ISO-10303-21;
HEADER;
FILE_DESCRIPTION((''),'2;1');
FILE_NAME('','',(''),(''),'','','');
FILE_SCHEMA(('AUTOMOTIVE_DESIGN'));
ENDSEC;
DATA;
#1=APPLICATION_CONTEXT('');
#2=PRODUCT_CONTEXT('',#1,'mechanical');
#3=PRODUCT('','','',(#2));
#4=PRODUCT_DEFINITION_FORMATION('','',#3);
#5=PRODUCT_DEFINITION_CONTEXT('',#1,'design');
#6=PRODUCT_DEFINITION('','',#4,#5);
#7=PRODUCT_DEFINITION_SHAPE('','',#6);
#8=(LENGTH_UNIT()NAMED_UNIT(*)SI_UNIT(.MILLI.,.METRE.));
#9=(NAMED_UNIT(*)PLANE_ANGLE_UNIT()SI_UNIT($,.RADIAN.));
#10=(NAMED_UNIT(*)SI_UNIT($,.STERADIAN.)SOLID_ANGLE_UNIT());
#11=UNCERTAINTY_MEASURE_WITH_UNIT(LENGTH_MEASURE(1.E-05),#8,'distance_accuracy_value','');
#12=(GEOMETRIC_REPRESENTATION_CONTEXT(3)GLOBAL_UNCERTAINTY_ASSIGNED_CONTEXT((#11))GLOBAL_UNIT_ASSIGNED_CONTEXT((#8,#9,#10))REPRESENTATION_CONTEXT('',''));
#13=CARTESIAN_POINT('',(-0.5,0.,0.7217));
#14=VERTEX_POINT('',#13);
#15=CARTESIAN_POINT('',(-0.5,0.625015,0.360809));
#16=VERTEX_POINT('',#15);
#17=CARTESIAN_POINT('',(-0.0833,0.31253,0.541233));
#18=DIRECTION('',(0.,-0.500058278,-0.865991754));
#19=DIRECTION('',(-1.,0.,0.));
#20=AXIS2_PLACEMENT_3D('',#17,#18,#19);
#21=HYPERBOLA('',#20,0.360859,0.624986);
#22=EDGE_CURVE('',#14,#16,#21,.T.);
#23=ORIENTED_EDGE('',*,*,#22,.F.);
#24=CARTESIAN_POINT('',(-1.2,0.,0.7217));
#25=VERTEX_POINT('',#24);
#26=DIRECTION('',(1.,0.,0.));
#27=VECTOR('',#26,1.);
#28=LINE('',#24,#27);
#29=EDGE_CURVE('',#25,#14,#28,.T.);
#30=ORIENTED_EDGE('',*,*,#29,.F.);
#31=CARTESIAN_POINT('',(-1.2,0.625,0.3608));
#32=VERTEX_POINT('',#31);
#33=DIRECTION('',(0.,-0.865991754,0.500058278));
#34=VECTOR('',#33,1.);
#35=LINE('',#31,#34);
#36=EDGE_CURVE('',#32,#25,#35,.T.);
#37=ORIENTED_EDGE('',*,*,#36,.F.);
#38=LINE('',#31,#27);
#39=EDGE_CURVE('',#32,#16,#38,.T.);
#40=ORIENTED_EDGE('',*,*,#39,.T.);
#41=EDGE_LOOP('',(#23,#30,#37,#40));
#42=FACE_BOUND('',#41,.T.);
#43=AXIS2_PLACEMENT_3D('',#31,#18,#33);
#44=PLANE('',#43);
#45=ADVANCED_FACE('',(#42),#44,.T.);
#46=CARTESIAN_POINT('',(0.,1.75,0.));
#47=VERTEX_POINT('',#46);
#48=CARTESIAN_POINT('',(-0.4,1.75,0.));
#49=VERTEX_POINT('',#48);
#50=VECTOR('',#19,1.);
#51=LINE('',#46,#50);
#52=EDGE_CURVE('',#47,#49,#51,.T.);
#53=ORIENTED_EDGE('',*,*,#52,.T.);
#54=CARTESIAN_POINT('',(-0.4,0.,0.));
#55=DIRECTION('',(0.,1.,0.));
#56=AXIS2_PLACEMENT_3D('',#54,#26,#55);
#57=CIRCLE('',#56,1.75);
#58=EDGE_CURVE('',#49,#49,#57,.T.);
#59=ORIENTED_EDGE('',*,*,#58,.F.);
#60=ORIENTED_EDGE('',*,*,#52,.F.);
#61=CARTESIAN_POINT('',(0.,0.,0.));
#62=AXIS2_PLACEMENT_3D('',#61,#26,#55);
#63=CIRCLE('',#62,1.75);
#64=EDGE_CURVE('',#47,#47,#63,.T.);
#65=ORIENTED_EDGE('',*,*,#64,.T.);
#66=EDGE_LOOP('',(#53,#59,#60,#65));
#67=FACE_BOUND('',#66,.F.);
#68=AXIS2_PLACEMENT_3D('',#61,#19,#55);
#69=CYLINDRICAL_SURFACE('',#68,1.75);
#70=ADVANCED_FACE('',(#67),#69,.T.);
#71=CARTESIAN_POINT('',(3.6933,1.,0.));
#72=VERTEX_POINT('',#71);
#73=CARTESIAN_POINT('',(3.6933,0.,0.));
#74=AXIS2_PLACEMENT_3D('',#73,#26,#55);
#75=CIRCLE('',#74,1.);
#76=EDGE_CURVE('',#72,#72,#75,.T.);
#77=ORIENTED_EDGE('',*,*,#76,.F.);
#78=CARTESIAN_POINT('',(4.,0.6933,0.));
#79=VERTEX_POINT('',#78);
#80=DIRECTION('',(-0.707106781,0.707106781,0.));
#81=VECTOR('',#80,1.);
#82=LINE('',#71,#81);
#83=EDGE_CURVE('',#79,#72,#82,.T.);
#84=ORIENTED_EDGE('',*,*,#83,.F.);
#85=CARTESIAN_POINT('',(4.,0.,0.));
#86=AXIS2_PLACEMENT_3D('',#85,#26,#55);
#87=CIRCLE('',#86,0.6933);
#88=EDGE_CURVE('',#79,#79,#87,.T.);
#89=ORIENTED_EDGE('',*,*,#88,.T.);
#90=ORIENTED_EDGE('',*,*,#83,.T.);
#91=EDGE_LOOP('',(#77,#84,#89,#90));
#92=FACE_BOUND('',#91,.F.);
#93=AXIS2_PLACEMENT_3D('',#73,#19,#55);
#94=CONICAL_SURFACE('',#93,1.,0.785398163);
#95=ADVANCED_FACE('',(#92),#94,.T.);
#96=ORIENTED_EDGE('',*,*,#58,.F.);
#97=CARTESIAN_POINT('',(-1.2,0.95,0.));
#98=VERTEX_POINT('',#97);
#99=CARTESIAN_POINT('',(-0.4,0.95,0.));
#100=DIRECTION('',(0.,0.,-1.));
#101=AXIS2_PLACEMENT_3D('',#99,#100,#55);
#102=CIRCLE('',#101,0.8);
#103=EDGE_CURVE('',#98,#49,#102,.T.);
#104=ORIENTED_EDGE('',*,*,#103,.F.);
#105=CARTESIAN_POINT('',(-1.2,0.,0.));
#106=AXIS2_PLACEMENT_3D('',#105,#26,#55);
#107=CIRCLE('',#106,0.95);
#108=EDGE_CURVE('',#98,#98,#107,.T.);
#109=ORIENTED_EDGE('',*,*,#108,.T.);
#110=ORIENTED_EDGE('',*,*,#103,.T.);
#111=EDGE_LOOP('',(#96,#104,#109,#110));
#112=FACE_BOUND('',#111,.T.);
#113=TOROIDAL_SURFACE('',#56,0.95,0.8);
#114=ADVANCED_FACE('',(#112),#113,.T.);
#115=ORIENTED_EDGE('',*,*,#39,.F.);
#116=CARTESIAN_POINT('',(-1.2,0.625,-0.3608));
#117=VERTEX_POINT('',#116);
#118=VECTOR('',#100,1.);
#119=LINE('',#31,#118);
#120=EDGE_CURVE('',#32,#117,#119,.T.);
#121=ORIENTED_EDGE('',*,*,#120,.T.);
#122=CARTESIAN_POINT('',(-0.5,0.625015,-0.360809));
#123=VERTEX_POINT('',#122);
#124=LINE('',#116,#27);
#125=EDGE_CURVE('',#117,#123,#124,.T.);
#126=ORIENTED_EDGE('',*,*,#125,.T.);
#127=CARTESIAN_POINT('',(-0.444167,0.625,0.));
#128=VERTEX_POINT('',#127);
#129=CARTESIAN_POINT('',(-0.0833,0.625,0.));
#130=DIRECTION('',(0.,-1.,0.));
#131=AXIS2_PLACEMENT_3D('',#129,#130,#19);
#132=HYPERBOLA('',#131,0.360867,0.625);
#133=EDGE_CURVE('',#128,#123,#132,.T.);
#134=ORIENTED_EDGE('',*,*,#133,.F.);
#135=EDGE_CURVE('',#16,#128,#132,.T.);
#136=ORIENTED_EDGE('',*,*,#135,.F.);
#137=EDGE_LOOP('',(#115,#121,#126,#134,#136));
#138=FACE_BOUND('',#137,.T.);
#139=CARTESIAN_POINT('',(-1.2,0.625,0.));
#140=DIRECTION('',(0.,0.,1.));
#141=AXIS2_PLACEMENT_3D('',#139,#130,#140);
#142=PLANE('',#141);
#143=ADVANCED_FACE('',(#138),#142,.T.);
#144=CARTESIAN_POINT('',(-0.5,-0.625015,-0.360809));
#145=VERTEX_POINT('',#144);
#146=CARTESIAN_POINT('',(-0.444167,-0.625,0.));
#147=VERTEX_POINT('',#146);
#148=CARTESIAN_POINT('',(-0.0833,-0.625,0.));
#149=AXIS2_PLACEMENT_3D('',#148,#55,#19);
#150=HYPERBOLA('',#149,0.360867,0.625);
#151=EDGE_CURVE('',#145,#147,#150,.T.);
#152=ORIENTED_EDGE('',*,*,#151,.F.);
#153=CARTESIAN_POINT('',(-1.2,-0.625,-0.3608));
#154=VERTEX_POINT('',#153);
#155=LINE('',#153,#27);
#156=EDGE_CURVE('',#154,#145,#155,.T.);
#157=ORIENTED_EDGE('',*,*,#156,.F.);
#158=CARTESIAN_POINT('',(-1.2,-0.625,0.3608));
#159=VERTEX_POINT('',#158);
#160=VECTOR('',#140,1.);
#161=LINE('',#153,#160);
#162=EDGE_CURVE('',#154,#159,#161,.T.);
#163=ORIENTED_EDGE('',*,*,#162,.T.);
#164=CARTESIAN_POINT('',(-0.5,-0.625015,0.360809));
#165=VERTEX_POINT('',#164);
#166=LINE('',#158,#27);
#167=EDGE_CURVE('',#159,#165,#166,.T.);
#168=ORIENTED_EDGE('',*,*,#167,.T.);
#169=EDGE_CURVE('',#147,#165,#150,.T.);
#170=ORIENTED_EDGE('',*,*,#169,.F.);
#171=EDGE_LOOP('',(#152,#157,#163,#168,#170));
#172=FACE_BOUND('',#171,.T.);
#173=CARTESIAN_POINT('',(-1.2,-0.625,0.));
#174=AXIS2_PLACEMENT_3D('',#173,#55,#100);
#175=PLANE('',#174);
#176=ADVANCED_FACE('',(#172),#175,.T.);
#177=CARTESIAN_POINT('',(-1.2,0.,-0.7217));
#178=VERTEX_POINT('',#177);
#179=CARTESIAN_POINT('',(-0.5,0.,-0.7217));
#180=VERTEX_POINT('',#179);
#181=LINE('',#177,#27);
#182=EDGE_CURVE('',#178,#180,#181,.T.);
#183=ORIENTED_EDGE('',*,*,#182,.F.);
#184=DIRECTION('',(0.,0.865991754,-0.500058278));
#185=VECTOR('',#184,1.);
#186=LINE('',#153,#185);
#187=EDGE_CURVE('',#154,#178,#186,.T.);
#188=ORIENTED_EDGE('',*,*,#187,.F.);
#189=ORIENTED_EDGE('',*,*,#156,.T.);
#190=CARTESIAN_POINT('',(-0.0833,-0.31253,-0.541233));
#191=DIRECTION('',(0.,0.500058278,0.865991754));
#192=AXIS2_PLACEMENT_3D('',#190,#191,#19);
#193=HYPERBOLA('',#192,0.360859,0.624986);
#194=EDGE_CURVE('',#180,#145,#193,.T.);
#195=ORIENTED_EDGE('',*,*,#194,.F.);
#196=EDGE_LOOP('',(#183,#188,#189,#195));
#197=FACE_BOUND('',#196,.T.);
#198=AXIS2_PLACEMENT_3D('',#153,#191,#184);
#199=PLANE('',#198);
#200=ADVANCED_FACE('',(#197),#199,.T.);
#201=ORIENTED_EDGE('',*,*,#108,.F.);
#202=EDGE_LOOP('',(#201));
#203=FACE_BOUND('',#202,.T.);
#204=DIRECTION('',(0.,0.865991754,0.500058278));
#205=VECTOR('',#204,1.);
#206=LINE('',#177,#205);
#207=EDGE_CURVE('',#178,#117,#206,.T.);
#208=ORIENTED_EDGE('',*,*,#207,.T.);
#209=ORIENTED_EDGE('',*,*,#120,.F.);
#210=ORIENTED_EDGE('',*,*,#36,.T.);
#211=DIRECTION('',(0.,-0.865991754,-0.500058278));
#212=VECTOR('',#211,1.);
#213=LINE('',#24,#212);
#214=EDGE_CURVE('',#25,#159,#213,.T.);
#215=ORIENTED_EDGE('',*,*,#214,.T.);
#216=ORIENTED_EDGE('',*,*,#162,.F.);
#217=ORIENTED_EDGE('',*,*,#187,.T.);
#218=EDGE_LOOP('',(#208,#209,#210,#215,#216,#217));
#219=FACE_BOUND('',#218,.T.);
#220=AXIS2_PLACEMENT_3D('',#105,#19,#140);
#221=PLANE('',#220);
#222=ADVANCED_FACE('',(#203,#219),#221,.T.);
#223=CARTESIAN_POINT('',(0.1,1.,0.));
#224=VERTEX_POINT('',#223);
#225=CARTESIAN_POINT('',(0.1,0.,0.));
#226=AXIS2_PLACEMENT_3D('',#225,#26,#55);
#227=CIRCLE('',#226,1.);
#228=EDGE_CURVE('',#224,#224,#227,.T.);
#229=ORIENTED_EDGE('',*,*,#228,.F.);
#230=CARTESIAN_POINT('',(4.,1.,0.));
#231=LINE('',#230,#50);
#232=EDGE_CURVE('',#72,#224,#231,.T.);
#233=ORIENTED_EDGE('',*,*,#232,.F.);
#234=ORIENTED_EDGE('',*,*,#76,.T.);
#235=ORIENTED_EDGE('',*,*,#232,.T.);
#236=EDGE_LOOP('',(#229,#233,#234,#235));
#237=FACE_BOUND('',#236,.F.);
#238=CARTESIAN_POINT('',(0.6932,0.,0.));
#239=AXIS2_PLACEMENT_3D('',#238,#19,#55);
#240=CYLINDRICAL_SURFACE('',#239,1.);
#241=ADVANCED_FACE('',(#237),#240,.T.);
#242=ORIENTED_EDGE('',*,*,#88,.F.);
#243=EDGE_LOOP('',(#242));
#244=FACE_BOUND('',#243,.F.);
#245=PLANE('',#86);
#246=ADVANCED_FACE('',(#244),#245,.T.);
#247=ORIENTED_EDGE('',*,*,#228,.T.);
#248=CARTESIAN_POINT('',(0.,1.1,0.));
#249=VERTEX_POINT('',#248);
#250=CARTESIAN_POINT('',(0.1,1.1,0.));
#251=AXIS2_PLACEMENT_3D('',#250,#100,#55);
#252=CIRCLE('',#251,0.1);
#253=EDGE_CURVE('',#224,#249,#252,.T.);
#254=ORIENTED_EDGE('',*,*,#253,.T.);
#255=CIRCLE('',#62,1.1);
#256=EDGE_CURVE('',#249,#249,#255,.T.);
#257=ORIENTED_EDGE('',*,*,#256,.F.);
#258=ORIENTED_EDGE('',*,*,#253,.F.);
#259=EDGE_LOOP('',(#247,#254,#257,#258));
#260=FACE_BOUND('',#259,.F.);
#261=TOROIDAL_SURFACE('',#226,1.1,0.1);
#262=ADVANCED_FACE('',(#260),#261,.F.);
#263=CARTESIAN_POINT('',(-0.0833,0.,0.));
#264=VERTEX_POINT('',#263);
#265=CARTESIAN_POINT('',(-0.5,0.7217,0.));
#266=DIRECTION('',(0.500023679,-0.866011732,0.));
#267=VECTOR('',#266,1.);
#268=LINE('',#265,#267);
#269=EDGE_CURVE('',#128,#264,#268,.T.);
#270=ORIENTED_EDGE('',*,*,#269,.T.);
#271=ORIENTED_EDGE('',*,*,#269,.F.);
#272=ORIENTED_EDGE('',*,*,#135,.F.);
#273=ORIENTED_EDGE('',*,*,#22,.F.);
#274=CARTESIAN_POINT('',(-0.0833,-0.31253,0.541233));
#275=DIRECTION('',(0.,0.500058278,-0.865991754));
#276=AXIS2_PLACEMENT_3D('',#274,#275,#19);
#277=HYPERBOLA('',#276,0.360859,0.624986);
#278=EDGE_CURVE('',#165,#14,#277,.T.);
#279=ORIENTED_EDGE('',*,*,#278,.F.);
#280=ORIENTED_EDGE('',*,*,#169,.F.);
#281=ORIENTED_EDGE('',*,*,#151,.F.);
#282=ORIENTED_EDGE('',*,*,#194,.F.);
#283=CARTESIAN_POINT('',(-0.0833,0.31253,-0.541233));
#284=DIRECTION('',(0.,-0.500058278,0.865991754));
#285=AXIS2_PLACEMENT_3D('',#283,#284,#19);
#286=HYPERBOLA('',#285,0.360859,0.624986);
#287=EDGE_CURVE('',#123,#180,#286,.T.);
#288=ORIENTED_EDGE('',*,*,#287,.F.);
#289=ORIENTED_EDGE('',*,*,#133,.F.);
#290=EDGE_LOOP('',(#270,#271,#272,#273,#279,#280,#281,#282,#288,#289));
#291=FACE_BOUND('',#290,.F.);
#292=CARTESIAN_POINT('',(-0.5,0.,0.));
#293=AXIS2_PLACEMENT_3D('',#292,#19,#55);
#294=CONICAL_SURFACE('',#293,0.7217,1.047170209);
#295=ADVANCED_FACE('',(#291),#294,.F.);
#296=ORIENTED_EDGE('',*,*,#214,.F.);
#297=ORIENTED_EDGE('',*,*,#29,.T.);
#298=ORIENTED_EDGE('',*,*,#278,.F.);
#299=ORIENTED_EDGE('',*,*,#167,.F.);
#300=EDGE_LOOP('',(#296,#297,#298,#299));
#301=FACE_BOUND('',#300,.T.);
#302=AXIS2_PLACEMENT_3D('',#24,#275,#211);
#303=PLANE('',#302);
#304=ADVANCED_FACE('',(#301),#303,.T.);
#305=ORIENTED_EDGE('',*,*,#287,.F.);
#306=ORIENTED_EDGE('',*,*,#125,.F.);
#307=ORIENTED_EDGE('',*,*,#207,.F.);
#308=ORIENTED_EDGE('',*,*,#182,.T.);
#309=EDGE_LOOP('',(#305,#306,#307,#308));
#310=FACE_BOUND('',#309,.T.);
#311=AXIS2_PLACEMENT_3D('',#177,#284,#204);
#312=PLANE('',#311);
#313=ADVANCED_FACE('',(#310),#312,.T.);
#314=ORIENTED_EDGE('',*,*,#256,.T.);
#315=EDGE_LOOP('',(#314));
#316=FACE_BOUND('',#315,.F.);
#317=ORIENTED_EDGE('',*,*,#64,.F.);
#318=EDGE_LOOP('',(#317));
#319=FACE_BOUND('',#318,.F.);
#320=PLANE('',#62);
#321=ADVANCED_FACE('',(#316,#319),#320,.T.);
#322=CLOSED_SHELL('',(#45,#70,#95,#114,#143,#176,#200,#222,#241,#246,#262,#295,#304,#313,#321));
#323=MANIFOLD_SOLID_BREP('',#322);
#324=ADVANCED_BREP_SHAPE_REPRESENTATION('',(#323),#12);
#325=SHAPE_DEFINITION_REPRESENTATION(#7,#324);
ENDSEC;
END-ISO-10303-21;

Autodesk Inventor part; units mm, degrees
ref_plane "YZ Plane" through (0, 0, 0) normal (1, 0, 0) x (0, 1, 0)
ref_plane "XZ Plane" through (0, 0, 0) normal (0, 1, 0) x (-1, 0, 0)
sketch "Sketch1" plane through (0, 0, 0) normal (0, 0, 1) x (1, 0, 0)
  line L0 (-0.0833, 0) -> (4, 0)
  line L1 (4, 0) -> (4, 1)
  line L2 (4, 1) -> (1, 1)
  line L3 (1, 1) -> (0.6932, 1)
  line L4 (0.6932, 1) -> (0, 1)
  line L5 (0, 1) -> (0, 1.75)
  line L6 (0, 1.75) -> (-1.2, 1.75)
  line L7 (-1.2, 1.75) -> (-1.2, 0.7217)
  line L8 (-1.2, 0.7217) -> (-0.5, 0.7217)
  line L9 (-0.5, 0.7217) -> (-0.0833, 0)
  line L10 (-2.24, 0) -> (5.04, 0) projected
  line L11 (0, -0.35) -> (0, 2.1) projected
  line L12 (1, 1) -> (0, 1) construction
  dimension "d1" = 3
  dimension "d2" = 0.3068
  dimension "d3" = 1.2
  dimension "d4" = 0.7
  dimension "d5" = 60
  dimension "d6" = 2
  dimension "d7" = 2
  dimension "d8" = 1.4434
  dimension "d9" = 3.5
  dimension "d26" = 4
revolve "Body" add sketch "Sketch1" angle 360 about axis through (-0.0833, 0, 0) along (1, 0, 0)
sketch "Sketch2" plane through (-1.2, 0, 0) normal (-1, 0, 0) x (0, 0, 1)
  circle A0 centre (0, 0) radius 0.7217 projected
  line L0 (0, -2.45) -> (0, 2.45) projected
  line L1 (-2.45, 0) -> (2.45, 0) projected
  line L2 (0.7217, 0) -> (0.3608, -0.625)
  line L3 (0.3608, -0.625) -> (-0.3608, -0.625)
  line L4 (-0.3608, -0.625) -> (-0.7217, 0)
  line L5 (-0.7217, 0) -> (-0.3608, 0.625)
  line L6 (-0.3608, 0.625) -> (0.3608, 0.625)
  line L7 (0.3608, 0.625) -> (0.7217, 0)
extrude "Slot" add sketch "Sketch2" against normal up to next contours L7 A0 | A0 L2 | L6 L0 A0 | A0 L0 L3 | L0 L6 A0 | A0 L3 L0 | L4 A0 | A0 L5
fillet "Fillet1" radius 0.8 1 edges at (-1.2, -1.75, 0)
chamfer "Chamfer1" distance 0.3067 distance2 0.3067 1 edges at (4, -1, 0) measured on face at (4, -0.0726, 0.3778)
ref_plane "Work Plane1" through (29, 0, 0) normal (0, -1, 0) x (1, 0, 0)
fillet "Fillet2" radius 0.1 1 edges at (0, -1, 0)
thread "Thread2" size "M2x0.4" class "6g" standard "ANSI Metric M Profile" full length
equation "\"d15\" = -0.5 * SPD + 0.5 * GD"
equation "\"d16\" = GUL"
equation "\"GD\" = NND"
equation "\"NLG\" = 6"
equation "\"GEL\" = 4.5"
equation "\"KOD\" = 5.7"
equation "\"KOH\" = 1.65"
equation "\"INTI\" = 1.04"
equation "\"GAL\" = 0.61345 * PTC"
equation "\"GUL\" = 0.61345 * PTC"
equation "\"BDM\" = NND"
equation "\"SW\" = 2"
equation "\"RR\" = 1.45"
equation "\"SPD\" = NND - 1.2269 * PTC"
equation "\"R\" = 0.3"
equation "\"TOA\" = 30deg"
equation "\"GD1\" = THREADDIA - 1.2269 * PTC"
equation "\"THREADDIA\" = 3"
equation "\"PTC\" = 0.5"
equation "\"NND\" = 3"
equation "\"KOH1\" = 0.2"
equation "\"E0\" = 2.303"
properties part number "M2x4 Bolt Round" material "Stainless Steel"
